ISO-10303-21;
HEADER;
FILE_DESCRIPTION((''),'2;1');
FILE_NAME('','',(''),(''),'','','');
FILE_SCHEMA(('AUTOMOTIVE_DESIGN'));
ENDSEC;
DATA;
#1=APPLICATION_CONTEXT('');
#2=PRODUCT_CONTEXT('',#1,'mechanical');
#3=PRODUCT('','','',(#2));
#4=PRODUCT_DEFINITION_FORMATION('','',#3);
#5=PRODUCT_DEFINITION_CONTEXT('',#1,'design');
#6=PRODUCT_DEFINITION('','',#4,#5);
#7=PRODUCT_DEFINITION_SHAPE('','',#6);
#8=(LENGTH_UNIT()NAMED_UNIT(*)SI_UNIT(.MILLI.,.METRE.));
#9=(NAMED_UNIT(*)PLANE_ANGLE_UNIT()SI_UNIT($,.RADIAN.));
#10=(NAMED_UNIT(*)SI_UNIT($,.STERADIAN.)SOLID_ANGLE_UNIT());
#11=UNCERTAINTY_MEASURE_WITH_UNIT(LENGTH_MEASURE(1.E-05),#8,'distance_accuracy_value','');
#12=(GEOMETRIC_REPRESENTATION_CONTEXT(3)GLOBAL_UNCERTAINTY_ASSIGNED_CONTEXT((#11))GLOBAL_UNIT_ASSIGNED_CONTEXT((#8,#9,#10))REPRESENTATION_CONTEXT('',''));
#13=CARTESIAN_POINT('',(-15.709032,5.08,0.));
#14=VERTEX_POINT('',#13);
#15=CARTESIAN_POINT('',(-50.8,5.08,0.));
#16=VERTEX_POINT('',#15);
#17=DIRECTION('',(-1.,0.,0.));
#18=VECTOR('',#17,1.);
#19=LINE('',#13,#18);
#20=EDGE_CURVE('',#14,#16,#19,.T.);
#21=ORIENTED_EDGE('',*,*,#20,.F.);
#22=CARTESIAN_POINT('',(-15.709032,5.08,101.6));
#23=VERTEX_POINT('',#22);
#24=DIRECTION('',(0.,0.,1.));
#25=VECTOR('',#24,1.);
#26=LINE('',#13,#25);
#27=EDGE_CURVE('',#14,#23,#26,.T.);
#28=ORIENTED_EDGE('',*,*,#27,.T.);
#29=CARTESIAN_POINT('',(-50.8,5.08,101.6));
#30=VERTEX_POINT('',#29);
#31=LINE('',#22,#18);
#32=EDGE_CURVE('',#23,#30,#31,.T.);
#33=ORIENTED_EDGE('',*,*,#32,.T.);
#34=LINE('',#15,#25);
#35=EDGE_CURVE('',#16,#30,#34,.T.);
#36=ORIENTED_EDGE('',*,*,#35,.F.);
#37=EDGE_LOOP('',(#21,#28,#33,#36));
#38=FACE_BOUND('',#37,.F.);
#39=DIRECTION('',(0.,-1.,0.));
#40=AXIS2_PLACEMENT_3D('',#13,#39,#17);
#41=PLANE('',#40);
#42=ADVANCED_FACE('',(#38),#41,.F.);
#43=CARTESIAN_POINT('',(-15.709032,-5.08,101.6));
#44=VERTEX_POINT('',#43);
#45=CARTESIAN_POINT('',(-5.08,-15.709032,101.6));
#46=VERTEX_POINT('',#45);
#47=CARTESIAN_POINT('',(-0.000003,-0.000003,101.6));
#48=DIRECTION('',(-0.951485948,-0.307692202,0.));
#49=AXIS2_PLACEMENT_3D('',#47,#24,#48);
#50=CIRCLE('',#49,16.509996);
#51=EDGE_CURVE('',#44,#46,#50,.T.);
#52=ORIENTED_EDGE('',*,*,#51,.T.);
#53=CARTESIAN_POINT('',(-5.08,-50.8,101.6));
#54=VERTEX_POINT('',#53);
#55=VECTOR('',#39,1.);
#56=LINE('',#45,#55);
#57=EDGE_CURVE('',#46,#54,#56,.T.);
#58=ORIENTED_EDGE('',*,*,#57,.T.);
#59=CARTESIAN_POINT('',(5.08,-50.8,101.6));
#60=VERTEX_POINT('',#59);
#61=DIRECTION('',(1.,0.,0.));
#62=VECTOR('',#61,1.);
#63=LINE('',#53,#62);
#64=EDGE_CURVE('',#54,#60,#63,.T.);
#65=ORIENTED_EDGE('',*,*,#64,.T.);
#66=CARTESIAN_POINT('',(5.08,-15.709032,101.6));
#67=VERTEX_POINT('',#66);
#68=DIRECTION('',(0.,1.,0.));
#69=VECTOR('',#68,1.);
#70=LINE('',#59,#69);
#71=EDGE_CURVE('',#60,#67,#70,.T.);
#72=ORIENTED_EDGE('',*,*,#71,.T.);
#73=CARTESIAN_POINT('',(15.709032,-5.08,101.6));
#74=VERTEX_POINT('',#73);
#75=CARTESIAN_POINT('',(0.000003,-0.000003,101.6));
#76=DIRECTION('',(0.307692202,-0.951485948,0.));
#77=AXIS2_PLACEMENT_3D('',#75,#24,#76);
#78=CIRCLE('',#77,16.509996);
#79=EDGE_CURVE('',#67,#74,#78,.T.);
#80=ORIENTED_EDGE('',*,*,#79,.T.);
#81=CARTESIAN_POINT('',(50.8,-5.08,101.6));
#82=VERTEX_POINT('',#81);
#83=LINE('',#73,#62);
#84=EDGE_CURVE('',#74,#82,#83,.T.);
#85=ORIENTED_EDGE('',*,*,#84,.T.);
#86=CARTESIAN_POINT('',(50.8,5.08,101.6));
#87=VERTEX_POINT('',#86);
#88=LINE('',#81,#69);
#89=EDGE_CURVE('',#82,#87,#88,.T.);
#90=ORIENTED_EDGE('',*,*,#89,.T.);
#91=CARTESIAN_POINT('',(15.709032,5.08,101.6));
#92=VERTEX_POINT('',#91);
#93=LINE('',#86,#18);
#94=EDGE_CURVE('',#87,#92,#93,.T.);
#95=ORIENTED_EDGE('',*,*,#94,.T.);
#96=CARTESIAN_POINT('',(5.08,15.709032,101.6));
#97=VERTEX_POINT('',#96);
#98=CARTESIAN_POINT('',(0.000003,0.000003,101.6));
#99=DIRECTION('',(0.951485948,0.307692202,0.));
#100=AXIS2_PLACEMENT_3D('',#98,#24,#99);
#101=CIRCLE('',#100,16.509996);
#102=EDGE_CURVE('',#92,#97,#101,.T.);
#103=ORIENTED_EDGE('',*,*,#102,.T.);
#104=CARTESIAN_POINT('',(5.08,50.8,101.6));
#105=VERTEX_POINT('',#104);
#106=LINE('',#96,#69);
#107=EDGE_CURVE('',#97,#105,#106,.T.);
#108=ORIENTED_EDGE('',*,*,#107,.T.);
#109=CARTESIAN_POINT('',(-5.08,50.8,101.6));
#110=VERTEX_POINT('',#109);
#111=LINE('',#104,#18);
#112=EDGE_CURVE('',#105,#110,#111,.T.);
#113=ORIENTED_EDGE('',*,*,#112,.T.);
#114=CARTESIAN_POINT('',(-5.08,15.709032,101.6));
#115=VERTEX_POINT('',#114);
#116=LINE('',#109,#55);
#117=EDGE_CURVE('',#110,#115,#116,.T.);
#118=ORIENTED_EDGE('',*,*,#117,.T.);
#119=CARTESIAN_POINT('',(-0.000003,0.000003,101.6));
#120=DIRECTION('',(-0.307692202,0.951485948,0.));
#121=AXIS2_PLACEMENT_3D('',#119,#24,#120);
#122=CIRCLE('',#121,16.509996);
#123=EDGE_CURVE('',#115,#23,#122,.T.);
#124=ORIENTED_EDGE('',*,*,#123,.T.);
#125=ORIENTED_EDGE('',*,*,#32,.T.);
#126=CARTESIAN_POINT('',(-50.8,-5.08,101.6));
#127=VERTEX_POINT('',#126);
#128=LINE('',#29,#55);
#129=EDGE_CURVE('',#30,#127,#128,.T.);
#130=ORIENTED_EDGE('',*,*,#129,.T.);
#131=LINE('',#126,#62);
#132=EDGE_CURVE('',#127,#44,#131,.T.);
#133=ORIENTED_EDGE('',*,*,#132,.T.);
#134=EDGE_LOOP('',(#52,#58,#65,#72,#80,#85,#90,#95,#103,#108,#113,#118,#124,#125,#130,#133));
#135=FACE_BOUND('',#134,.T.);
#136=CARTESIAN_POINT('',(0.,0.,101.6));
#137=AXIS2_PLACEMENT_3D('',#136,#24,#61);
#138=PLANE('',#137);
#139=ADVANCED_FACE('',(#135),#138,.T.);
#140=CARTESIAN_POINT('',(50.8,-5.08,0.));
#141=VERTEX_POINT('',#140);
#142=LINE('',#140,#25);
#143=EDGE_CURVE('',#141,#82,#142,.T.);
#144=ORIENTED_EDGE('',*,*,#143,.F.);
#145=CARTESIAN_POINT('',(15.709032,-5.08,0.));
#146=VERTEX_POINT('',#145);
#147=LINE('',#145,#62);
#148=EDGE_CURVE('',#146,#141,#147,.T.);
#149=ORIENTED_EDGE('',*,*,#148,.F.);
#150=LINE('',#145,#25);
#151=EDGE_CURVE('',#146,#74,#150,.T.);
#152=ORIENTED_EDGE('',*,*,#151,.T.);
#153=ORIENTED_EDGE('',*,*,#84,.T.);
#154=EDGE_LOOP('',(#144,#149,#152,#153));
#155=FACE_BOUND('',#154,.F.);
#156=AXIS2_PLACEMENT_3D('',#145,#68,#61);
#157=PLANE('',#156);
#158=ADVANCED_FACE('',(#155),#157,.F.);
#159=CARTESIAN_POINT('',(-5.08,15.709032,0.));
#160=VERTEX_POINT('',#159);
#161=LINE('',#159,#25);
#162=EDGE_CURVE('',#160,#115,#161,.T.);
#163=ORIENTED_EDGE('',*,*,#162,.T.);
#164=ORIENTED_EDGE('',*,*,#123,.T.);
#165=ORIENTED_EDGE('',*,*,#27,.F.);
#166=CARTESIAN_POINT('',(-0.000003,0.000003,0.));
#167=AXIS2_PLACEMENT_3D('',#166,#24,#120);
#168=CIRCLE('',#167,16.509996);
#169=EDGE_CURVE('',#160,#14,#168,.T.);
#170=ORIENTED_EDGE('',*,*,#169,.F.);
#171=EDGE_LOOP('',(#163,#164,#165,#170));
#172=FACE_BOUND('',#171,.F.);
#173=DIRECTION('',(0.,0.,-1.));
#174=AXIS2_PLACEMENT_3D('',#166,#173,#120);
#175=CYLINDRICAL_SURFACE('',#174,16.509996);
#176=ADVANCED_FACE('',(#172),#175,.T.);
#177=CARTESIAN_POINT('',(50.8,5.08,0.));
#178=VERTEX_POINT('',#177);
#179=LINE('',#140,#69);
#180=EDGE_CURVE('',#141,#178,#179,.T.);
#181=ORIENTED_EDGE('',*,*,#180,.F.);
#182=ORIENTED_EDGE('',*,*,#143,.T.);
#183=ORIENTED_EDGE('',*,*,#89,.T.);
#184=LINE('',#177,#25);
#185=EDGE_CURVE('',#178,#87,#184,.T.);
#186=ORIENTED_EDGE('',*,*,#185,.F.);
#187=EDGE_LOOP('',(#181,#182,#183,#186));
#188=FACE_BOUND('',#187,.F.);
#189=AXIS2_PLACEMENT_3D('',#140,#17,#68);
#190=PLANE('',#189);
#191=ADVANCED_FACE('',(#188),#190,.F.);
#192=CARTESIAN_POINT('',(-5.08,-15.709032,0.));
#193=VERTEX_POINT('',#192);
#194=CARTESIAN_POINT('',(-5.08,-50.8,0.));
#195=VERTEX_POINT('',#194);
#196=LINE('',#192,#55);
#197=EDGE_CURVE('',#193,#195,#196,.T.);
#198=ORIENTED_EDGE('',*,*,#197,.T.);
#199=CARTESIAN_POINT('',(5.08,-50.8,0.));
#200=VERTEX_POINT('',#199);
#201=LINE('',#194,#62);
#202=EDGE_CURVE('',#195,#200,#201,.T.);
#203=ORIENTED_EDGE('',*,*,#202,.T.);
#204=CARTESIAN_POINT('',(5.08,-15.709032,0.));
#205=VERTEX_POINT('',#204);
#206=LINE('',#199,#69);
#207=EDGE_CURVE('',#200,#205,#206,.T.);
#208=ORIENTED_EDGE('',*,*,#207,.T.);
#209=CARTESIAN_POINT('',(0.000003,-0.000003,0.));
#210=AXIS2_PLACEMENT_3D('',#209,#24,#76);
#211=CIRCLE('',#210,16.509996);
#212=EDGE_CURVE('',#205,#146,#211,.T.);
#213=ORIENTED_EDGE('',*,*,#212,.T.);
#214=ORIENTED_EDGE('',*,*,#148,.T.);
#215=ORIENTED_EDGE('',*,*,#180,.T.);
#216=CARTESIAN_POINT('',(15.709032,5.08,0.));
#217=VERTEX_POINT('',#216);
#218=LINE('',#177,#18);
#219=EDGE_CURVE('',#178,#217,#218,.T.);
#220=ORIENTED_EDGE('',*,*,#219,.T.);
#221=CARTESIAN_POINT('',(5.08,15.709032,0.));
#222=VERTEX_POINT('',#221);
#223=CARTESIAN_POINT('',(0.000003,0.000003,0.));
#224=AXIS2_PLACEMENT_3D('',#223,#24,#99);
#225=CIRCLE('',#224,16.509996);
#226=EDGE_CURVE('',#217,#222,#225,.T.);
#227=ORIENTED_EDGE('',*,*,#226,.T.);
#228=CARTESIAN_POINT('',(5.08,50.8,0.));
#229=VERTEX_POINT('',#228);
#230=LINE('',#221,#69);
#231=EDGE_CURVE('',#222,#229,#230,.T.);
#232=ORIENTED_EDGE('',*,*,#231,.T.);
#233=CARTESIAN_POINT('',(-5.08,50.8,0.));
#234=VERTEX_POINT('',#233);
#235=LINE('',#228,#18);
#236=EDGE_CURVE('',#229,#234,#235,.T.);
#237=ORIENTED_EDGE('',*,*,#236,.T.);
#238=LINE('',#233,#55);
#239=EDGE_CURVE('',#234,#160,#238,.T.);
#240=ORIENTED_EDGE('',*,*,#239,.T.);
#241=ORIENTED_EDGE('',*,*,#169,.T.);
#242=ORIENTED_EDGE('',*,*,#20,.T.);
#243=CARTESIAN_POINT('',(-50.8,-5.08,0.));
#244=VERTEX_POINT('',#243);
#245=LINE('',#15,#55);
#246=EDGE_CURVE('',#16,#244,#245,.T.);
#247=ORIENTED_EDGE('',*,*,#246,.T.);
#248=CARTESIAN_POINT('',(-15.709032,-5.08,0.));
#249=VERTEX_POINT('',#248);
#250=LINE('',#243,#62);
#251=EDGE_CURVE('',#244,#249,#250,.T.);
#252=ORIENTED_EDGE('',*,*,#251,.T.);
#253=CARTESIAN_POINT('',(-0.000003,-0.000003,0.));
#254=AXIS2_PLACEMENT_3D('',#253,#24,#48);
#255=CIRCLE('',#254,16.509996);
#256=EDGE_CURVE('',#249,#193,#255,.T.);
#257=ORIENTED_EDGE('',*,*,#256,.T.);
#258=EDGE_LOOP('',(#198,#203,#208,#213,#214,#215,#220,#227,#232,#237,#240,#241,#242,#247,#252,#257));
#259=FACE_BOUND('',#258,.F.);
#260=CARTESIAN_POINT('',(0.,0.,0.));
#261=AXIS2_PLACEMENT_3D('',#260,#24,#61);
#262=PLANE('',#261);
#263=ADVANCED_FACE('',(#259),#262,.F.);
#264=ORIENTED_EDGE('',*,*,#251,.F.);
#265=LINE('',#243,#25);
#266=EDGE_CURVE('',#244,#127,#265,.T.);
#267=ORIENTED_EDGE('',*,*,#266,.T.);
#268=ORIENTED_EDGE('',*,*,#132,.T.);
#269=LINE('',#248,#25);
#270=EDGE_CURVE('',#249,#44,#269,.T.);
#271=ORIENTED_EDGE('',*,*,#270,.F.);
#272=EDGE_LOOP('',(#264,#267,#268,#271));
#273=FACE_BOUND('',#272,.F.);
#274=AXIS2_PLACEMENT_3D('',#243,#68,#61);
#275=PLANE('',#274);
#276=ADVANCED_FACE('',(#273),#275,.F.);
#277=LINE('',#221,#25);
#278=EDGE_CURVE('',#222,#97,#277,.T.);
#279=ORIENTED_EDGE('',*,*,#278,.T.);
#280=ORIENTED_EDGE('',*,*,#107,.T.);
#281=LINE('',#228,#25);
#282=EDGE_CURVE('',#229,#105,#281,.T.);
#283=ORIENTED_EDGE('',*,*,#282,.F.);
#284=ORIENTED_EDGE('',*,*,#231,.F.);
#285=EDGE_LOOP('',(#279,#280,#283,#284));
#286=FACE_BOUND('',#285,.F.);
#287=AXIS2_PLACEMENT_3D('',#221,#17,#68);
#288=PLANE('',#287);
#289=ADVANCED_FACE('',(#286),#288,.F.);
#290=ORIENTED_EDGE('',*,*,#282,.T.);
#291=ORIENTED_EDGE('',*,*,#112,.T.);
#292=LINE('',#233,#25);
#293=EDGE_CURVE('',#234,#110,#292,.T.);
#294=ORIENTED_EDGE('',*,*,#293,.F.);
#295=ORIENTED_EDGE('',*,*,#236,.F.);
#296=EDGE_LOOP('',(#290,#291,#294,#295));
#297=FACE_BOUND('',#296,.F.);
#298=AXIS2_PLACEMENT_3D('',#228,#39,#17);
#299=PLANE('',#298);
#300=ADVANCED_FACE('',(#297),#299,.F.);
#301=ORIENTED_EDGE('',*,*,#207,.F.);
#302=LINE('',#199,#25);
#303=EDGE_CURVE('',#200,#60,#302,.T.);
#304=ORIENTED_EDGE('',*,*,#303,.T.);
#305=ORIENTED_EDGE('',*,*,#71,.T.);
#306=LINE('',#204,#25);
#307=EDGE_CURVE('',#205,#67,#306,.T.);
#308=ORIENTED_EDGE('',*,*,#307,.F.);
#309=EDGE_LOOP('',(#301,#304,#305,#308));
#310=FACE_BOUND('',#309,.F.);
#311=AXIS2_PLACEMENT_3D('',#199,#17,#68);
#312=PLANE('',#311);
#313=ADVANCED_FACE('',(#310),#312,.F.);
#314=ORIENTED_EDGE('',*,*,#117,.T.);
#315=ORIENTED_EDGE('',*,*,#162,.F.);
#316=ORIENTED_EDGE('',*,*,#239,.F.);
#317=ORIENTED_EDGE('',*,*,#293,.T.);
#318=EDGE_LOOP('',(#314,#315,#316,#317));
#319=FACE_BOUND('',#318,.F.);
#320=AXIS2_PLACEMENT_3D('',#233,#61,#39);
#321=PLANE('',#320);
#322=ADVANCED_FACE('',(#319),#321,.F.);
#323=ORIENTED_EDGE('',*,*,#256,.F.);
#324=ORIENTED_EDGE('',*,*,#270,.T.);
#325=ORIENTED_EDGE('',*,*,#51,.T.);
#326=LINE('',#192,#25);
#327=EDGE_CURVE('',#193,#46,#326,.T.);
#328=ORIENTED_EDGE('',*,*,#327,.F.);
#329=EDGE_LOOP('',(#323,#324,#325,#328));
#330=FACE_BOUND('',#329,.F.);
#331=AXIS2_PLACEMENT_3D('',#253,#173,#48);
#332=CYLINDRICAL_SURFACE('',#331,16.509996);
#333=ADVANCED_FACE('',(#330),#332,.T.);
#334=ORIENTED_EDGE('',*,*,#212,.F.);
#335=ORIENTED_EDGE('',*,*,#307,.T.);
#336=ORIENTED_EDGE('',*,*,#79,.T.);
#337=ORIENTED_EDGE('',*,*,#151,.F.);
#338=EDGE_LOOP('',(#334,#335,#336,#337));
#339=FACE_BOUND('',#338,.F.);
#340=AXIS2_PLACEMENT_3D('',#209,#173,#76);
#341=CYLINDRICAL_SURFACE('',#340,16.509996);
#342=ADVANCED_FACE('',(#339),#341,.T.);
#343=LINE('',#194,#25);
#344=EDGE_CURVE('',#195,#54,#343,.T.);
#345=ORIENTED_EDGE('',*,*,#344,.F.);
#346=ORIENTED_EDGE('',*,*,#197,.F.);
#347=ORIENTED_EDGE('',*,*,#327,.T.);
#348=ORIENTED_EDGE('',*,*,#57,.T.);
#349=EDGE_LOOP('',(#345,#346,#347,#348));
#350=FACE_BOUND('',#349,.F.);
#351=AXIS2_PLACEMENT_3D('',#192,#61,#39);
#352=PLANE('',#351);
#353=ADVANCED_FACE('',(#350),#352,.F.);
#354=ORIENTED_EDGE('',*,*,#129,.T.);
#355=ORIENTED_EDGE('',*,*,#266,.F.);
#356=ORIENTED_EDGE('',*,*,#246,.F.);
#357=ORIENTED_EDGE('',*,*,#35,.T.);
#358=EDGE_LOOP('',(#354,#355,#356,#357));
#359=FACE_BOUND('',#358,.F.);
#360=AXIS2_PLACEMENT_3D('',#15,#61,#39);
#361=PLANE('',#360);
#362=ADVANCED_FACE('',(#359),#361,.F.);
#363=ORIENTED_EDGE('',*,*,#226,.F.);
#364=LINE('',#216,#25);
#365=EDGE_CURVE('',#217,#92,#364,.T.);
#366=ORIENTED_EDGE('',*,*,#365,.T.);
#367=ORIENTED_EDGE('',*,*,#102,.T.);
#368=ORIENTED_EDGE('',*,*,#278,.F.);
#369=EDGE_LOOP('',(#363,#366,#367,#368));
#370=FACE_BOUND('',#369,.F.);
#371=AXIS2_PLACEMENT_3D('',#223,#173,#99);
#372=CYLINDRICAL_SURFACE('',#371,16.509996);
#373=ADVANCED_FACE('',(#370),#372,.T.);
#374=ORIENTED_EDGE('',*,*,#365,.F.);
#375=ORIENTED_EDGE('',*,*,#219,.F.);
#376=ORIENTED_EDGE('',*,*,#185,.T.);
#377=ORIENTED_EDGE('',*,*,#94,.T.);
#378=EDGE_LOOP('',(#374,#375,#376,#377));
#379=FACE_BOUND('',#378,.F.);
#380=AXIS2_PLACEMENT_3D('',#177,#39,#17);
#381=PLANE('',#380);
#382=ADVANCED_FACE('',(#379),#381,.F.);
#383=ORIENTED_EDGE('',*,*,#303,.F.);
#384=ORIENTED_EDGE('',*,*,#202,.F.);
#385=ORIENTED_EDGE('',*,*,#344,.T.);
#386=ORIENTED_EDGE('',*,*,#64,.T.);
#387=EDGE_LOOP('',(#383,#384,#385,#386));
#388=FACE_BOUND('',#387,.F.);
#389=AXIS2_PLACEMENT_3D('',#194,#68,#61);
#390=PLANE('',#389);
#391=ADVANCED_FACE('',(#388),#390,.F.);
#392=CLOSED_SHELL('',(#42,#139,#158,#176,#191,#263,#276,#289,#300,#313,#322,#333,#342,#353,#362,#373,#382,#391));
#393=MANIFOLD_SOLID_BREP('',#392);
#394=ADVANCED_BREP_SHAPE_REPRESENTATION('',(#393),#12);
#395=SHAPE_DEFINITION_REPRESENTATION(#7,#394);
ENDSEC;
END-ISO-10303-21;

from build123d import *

# Parameters (mm, degrees)
F1_DEPTH = 101.6


with BuildPart() as f1:
    # F0 (on Top) → F1 (new body)
    with BuildSketch(Plane.XY):
        with BuildLine():
            Line((5.08, 50.8), (-5.08, 50.8))
            Line((-5.08, 50.8), (-5.08, 15.709032))
            ThreePointArc((-5.08, 15.709032), (-11.674333, 11.674333), (-15.709032, 5.08))
            Line((-15.709032, 5.08), (-50.8, 5.08))
            Line((-50.8, 5.08), (-50.8, -5.08))
            Line((-50.8, -5.08), (-15.709032, -5.08))
            ThreePointArc((-15.709032, -5.08), (-11.674333, -11.674333), (-5.08, -15.709032))
            Line((-5.08, -15.709032), (-5.08, -50.8))
            Line((-5.08, -50.8), (5.08, -50.8))
            Line((5.08, -50.8), (5.08, -15.709032))
            ThreePointArc((5.08, -15.709032), (11.674333, -11.674333), (15.709032, -5.08))
            Line((15.709032, -5.08), (50.8, -5.08))
            Line((50.8, -5.08), (50.8, 5.08))
            Line((50.8, 5.08), (15.709032, 5.08))
            ThreePointArc((15.709032, 5.08), (11.674333, 11.674333), (5.08, 15.709032))
            Line((5.08, 15.709032), (5.08, 50.8))
        make_face()
    extrude(amount=F1_DEPTH)


solid = f1.part
